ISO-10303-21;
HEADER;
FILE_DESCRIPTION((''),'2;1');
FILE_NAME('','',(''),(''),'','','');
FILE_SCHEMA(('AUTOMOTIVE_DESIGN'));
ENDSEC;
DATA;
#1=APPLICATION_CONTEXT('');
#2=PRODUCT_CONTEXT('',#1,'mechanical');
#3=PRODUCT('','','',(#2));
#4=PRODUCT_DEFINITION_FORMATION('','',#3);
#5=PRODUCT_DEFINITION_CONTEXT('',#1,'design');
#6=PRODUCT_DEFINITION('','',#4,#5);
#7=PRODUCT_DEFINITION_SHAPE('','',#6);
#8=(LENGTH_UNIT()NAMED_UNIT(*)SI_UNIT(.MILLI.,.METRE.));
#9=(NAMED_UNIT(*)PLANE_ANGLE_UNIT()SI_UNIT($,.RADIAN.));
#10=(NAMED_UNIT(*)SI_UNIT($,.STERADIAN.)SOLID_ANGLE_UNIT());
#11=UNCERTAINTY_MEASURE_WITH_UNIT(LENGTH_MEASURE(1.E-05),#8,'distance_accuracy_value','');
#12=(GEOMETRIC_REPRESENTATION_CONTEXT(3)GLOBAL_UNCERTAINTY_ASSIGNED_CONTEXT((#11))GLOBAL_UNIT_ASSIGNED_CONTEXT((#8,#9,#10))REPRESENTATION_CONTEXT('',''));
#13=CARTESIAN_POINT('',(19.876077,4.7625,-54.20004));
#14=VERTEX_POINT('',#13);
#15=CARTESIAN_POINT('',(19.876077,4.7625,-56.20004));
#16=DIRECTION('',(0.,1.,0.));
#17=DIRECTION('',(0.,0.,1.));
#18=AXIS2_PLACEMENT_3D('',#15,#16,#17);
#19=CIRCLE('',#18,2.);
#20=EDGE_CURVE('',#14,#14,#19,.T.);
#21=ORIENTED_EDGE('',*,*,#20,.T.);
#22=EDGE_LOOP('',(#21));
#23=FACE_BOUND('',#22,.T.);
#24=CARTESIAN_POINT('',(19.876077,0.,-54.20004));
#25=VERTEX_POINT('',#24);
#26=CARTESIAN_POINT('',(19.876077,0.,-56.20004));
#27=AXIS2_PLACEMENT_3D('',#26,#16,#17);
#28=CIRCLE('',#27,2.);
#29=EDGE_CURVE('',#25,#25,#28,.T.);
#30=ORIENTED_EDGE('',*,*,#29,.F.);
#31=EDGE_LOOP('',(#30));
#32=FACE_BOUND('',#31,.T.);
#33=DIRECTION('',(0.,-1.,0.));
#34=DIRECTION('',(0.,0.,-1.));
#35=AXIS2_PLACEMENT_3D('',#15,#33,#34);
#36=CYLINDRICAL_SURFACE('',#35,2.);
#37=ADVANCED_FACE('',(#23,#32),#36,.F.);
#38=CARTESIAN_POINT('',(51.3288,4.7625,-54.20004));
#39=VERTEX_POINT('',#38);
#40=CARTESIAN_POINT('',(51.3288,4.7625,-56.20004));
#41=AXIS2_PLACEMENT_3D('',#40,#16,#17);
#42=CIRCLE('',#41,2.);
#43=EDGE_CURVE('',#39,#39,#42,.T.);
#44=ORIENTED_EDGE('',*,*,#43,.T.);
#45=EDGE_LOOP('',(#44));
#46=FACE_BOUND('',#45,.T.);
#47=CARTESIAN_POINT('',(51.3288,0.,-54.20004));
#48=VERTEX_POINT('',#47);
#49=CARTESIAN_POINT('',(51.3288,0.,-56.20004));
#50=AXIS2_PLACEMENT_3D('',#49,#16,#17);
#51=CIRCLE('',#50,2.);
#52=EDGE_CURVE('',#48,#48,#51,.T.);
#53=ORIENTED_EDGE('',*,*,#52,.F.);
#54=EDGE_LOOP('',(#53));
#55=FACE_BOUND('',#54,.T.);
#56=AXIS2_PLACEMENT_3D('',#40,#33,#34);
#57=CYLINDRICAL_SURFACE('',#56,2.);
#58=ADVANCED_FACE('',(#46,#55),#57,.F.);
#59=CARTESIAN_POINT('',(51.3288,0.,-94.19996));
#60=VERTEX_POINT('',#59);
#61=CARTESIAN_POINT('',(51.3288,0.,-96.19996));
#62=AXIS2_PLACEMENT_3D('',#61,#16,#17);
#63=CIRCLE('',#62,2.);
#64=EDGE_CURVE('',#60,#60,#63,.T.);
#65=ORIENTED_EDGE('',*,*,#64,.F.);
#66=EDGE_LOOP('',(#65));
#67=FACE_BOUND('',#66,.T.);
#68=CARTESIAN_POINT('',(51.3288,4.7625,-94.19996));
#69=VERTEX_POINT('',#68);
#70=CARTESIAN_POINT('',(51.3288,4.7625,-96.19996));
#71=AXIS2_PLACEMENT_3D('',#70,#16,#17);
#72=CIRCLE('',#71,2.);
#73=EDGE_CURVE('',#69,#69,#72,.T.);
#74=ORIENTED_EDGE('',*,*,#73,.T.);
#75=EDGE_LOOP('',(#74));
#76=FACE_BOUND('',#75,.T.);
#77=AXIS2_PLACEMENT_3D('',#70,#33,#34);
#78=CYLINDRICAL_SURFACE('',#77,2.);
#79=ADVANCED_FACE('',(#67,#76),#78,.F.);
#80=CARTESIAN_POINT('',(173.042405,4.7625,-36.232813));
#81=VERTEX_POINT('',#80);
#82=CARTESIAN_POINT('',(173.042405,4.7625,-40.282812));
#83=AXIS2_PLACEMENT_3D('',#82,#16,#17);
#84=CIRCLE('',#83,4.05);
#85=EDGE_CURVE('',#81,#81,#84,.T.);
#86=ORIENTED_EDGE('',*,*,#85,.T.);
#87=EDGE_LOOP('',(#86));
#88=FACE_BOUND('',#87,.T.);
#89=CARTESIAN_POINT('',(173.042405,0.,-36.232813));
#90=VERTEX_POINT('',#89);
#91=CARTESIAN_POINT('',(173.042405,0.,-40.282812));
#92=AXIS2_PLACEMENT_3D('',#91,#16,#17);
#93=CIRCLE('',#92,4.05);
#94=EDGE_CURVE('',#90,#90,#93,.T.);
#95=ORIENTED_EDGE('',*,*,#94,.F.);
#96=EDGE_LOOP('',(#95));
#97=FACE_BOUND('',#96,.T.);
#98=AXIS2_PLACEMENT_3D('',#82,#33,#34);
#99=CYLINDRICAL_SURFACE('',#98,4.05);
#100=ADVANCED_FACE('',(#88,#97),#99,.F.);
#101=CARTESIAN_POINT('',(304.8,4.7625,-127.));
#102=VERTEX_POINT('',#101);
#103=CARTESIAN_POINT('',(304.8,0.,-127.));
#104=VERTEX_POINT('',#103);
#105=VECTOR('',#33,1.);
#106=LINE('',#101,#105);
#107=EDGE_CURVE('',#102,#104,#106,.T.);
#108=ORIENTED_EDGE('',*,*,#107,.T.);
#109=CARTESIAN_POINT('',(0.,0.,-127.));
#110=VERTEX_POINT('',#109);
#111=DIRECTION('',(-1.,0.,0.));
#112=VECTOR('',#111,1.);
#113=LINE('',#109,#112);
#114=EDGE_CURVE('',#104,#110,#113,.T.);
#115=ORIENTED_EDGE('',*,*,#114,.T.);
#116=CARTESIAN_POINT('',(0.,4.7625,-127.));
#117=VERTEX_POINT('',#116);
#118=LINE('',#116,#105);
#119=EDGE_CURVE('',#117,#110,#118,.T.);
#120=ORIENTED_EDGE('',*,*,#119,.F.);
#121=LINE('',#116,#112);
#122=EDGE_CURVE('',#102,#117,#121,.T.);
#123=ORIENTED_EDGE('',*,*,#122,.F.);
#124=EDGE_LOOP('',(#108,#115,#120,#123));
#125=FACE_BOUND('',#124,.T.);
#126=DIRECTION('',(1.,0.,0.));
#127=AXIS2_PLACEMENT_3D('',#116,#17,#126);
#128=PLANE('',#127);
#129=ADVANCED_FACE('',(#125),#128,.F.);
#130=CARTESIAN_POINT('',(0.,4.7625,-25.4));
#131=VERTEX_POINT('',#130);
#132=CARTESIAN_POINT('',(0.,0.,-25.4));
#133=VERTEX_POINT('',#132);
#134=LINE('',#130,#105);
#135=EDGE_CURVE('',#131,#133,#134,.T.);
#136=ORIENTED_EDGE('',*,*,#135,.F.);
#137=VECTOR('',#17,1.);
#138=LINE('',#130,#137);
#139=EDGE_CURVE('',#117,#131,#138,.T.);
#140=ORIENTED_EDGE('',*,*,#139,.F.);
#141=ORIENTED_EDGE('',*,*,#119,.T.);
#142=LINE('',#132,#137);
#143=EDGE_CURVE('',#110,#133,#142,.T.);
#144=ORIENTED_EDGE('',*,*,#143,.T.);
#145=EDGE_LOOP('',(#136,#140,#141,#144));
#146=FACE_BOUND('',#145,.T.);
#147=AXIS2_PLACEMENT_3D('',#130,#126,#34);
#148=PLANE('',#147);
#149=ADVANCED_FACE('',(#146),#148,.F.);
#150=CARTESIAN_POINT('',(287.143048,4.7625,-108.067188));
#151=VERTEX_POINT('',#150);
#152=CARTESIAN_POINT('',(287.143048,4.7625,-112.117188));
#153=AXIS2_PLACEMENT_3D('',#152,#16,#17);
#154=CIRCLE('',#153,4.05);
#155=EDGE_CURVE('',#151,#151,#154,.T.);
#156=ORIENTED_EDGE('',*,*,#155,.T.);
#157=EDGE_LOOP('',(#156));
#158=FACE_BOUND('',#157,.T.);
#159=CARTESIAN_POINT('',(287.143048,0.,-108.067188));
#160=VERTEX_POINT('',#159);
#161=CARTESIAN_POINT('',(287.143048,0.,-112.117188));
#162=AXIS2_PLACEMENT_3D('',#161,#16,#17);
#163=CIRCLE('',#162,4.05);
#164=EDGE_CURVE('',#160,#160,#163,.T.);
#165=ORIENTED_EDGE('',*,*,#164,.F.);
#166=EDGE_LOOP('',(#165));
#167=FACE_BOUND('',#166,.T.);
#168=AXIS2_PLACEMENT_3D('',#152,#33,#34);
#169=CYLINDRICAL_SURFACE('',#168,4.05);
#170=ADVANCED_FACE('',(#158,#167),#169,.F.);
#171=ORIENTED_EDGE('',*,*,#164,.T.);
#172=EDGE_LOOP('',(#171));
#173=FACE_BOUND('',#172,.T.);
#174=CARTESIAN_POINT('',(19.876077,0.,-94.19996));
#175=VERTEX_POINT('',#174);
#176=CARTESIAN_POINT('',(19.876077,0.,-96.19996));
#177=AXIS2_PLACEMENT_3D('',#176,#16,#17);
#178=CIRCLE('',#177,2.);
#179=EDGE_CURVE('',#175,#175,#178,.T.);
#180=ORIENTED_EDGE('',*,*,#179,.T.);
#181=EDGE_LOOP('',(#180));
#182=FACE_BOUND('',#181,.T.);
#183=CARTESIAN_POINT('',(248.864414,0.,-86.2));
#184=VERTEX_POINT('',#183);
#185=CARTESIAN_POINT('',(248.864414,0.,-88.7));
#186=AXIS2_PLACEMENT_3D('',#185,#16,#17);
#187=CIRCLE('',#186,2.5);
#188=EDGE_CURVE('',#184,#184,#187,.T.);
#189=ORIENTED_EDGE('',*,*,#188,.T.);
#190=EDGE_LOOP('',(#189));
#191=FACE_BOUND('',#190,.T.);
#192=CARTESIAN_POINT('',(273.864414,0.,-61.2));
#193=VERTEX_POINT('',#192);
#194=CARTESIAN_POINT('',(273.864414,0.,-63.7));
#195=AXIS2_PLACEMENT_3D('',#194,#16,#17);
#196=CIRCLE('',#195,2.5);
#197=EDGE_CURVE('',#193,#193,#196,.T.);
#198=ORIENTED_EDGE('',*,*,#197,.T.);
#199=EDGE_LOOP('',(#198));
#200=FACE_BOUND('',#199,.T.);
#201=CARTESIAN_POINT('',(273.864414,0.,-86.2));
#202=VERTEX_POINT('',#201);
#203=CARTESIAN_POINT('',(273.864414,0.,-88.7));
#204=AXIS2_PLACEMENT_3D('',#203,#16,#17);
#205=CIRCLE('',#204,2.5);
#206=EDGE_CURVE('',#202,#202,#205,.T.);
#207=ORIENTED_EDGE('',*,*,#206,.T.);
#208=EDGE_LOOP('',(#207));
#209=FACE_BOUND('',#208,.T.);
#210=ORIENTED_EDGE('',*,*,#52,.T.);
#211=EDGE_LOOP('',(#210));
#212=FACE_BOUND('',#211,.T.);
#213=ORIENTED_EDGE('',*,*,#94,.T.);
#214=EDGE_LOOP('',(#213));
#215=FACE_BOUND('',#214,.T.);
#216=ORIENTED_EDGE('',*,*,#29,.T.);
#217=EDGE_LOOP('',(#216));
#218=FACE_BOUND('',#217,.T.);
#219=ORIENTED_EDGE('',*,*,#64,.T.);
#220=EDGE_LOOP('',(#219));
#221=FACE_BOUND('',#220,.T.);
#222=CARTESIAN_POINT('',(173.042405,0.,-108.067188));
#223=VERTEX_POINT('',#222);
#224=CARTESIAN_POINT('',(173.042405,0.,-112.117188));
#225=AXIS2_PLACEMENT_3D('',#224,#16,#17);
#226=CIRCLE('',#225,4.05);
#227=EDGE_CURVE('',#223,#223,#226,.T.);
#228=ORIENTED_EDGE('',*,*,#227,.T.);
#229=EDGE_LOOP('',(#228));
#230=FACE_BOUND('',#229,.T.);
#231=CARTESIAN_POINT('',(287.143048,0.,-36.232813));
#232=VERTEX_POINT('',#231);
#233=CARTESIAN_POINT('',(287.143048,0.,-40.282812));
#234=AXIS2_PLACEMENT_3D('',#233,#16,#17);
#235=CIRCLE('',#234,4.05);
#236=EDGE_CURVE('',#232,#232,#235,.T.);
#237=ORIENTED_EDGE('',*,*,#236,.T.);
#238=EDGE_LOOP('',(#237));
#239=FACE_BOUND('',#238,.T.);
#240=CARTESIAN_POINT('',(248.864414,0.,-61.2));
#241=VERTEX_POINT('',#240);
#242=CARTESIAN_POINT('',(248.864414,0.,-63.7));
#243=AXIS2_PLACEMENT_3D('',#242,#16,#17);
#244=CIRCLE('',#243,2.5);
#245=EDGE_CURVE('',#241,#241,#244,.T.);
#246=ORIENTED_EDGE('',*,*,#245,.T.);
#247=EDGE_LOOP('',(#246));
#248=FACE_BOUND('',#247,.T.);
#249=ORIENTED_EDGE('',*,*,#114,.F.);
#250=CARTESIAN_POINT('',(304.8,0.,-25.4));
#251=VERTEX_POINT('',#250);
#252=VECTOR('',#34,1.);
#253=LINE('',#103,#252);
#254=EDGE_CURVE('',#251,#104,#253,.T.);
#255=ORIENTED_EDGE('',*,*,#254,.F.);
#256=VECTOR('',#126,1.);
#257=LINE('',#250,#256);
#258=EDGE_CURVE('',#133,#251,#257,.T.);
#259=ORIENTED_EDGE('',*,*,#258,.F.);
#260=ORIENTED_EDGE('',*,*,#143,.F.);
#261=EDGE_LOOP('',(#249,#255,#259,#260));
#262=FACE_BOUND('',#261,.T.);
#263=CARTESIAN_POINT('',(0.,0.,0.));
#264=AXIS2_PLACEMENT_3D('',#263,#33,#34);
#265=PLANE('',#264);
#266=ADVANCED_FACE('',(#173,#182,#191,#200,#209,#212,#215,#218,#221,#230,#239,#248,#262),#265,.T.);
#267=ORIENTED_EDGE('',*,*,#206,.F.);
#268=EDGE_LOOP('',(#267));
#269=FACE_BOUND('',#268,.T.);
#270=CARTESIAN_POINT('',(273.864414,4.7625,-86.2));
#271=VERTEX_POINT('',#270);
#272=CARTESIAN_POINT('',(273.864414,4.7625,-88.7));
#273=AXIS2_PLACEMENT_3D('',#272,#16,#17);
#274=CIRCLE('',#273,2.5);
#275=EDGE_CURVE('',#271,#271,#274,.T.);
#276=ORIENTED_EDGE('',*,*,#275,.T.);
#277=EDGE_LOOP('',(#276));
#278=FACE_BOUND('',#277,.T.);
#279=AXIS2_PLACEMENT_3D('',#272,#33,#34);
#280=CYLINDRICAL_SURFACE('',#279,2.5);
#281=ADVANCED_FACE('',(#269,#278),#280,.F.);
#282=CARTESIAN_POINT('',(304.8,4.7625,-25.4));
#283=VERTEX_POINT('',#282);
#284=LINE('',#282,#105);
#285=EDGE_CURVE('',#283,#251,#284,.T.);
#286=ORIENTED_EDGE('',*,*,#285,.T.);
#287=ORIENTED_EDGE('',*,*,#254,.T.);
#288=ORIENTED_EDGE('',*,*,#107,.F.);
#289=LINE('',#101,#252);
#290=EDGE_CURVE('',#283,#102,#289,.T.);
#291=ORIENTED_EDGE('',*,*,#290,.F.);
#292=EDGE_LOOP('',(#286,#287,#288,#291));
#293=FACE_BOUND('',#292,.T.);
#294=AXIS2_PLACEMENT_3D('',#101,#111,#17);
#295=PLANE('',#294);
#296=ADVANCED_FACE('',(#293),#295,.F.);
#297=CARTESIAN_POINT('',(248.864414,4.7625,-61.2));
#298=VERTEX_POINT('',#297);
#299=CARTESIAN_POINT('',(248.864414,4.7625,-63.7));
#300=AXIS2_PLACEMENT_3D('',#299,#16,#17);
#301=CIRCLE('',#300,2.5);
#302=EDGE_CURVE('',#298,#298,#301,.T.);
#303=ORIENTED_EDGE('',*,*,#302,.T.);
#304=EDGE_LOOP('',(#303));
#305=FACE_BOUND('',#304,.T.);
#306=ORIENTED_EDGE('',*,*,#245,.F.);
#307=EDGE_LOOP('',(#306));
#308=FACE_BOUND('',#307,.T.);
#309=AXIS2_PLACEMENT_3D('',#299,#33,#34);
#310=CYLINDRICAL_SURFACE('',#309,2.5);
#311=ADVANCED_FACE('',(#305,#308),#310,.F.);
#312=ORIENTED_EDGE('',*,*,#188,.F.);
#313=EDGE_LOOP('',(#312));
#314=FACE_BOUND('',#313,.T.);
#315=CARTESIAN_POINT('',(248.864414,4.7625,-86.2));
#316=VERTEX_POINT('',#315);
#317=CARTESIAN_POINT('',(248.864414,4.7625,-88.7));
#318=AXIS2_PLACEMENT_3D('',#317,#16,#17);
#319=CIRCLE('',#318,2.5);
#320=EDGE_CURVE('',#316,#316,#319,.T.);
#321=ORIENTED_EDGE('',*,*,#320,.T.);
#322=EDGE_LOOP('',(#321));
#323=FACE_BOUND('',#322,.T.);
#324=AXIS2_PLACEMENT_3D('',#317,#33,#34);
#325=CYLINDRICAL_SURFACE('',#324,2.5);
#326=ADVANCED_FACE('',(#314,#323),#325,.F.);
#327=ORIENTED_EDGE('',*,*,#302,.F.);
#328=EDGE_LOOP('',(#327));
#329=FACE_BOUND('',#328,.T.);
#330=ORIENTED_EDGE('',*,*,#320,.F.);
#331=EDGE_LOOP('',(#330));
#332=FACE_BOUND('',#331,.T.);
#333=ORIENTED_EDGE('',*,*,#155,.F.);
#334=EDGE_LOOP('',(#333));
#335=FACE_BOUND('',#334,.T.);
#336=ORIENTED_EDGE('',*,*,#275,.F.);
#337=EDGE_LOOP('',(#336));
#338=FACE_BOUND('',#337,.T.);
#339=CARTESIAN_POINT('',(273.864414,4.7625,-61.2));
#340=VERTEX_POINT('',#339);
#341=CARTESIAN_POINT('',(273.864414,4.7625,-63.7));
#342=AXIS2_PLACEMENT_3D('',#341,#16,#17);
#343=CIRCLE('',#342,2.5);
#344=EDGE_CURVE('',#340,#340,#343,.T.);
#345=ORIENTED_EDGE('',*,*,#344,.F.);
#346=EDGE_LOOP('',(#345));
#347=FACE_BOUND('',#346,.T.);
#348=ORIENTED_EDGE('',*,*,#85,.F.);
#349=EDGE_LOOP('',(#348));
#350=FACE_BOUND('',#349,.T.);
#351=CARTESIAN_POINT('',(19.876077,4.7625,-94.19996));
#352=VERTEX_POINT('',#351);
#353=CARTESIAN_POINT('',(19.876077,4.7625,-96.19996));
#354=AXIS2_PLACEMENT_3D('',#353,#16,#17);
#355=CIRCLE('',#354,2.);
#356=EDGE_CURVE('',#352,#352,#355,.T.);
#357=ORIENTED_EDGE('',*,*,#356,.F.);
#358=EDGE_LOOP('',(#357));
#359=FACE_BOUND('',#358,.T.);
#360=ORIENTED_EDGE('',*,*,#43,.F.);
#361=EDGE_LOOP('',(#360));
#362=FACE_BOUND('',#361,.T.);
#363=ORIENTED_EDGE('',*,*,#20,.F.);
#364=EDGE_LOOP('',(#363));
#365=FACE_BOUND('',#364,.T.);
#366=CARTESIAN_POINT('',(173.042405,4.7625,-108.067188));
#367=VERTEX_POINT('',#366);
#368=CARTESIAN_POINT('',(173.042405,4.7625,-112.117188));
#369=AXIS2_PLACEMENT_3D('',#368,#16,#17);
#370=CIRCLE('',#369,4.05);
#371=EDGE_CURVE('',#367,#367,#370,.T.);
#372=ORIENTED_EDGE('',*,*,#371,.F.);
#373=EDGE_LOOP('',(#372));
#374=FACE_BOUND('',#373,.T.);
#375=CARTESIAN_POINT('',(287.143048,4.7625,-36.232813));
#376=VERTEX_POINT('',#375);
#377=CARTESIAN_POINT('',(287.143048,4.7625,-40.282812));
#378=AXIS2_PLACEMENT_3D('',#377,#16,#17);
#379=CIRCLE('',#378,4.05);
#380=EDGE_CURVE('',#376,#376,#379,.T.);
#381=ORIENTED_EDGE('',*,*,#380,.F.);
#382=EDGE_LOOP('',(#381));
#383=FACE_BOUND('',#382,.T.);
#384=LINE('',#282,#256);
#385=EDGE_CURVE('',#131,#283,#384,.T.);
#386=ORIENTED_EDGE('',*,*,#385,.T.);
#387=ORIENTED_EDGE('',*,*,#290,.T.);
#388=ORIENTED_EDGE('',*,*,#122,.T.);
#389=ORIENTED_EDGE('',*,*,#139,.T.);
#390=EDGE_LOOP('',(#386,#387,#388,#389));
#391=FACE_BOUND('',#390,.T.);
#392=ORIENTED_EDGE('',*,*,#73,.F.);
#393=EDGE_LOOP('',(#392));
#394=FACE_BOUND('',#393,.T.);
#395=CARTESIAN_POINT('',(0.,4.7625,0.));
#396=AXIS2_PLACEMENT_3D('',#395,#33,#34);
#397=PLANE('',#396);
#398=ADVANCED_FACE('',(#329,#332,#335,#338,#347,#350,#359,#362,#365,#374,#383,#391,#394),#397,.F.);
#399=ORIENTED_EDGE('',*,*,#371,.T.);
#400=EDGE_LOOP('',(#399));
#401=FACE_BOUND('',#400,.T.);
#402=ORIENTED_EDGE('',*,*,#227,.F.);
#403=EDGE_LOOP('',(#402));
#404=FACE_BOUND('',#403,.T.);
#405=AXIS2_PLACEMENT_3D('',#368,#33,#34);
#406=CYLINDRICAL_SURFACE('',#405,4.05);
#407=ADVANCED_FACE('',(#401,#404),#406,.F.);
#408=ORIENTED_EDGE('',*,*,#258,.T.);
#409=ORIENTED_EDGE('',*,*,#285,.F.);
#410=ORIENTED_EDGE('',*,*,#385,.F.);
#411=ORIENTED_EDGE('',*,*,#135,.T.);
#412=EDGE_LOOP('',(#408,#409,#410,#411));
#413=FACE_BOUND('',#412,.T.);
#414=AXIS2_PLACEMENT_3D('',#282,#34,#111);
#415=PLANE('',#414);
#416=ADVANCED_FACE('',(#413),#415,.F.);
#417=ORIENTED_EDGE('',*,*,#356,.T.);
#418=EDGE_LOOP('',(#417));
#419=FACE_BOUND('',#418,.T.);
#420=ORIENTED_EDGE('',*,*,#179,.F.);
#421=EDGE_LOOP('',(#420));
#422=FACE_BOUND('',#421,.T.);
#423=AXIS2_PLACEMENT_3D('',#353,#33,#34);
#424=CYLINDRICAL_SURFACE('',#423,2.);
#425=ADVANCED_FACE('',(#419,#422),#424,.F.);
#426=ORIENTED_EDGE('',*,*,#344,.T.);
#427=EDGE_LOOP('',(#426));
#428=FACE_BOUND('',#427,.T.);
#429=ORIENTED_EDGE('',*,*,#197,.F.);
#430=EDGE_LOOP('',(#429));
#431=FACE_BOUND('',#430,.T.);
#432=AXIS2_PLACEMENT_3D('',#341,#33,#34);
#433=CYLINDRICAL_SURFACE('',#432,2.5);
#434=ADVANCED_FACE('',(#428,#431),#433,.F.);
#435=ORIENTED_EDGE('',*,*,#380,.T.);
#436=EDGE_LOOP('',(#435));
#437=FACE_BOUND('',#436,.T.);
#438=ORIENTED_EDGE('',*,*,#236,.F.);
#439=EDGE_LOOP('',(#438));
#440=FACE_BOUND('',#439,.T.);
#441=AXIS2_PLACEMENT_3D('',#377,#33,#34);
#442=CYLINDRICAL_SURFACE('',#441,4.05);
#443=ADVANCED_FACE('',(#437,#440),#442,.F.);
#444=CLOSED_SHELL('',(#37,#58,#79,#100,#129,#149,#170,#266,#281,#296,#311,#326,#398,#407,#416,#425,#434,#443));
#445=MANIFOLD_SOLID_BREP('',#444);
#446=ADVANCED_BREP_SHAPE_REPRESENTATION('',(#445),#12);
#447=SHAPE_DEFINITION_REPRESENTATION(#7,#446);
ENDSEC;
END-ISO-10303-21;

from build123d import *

# Parameters (mm, degrees)
SKETCH2_W           = 304.8
SKETCH2_H           = 101.6
SKETCH2_R           = 2.5
SKETCH2_R_2         = 4.05
SKETCH2_R_3         = 2
BOSS_EXTRUDE1_DEPTH = 4.7625


with BuildPart() as part:
    # Sketch2 → Boss-Extrude1 (new body)
    with BuildSketch(Plane(origin=(0, 0, 0), x_dir=(1, 0, 0), z_dir=(0, 1, 0))):
        with Locations((152.4, 76.2)):
            Rectangle(SKETCH2_W, SKETCH2_H)
        with Locations((248.864414399, 88.7)):
            Circle(SKETCH2_R, mode=Mode.SUBTRACT)
        with Locations((248.864414399, 63.7)):
            Circle(SKETCH2_R, mode=Mode.SUBTRACT)
        with Locations((273.864414399, 63.7)):
            Circle(SKETCH2_R, mode=Mode.SUBTRACT)
        with Locations((273.864414399, 88.7)):
            Circle(SKETCH2_R, mode=Mode.SUBTRACT)
        with Locations((173.042404906, 40.2828125)):
            Circle(SKETCH2_R_2, mode=Mode.SUBTRACT)
        with Locations((173.042404906, 112.1171875)):
            Circle(SKETCH2_R_2, mode=Mode.SUBTRACT)
        with Locations((287.14304819, 40.2828125)):
            Circle(SKETCH2_R_2, mode=Mode.SUBTRACT)
        with Locations((287.14304819, 112.1171875)):
            Circle(SKETCH2_R_2, mode=Mode.SUBTRACT)
        with Locations((19.876076597, 56.20004)):
            Circle(SKETCH2_R_3, mode=Mode.SUBTRACT)
        with Locations((51.328800148, 56.20004)):
            Circle(SKETCH2_R_3, mode=Mode.SUBTRACT)
        with Locations((51.328800148, 96.19996)):
            Circle(SKETCH2_R_3, mode=Mode.SUBTRACT)
        with Locations((19.876076597, 96.19996)):
            Circle(SKETCH2_R_3, mode=Mode.SUBTRACT)
    extrude(amount=BOSS_EXTRUDE1_DEPTH)


solid = part.part
